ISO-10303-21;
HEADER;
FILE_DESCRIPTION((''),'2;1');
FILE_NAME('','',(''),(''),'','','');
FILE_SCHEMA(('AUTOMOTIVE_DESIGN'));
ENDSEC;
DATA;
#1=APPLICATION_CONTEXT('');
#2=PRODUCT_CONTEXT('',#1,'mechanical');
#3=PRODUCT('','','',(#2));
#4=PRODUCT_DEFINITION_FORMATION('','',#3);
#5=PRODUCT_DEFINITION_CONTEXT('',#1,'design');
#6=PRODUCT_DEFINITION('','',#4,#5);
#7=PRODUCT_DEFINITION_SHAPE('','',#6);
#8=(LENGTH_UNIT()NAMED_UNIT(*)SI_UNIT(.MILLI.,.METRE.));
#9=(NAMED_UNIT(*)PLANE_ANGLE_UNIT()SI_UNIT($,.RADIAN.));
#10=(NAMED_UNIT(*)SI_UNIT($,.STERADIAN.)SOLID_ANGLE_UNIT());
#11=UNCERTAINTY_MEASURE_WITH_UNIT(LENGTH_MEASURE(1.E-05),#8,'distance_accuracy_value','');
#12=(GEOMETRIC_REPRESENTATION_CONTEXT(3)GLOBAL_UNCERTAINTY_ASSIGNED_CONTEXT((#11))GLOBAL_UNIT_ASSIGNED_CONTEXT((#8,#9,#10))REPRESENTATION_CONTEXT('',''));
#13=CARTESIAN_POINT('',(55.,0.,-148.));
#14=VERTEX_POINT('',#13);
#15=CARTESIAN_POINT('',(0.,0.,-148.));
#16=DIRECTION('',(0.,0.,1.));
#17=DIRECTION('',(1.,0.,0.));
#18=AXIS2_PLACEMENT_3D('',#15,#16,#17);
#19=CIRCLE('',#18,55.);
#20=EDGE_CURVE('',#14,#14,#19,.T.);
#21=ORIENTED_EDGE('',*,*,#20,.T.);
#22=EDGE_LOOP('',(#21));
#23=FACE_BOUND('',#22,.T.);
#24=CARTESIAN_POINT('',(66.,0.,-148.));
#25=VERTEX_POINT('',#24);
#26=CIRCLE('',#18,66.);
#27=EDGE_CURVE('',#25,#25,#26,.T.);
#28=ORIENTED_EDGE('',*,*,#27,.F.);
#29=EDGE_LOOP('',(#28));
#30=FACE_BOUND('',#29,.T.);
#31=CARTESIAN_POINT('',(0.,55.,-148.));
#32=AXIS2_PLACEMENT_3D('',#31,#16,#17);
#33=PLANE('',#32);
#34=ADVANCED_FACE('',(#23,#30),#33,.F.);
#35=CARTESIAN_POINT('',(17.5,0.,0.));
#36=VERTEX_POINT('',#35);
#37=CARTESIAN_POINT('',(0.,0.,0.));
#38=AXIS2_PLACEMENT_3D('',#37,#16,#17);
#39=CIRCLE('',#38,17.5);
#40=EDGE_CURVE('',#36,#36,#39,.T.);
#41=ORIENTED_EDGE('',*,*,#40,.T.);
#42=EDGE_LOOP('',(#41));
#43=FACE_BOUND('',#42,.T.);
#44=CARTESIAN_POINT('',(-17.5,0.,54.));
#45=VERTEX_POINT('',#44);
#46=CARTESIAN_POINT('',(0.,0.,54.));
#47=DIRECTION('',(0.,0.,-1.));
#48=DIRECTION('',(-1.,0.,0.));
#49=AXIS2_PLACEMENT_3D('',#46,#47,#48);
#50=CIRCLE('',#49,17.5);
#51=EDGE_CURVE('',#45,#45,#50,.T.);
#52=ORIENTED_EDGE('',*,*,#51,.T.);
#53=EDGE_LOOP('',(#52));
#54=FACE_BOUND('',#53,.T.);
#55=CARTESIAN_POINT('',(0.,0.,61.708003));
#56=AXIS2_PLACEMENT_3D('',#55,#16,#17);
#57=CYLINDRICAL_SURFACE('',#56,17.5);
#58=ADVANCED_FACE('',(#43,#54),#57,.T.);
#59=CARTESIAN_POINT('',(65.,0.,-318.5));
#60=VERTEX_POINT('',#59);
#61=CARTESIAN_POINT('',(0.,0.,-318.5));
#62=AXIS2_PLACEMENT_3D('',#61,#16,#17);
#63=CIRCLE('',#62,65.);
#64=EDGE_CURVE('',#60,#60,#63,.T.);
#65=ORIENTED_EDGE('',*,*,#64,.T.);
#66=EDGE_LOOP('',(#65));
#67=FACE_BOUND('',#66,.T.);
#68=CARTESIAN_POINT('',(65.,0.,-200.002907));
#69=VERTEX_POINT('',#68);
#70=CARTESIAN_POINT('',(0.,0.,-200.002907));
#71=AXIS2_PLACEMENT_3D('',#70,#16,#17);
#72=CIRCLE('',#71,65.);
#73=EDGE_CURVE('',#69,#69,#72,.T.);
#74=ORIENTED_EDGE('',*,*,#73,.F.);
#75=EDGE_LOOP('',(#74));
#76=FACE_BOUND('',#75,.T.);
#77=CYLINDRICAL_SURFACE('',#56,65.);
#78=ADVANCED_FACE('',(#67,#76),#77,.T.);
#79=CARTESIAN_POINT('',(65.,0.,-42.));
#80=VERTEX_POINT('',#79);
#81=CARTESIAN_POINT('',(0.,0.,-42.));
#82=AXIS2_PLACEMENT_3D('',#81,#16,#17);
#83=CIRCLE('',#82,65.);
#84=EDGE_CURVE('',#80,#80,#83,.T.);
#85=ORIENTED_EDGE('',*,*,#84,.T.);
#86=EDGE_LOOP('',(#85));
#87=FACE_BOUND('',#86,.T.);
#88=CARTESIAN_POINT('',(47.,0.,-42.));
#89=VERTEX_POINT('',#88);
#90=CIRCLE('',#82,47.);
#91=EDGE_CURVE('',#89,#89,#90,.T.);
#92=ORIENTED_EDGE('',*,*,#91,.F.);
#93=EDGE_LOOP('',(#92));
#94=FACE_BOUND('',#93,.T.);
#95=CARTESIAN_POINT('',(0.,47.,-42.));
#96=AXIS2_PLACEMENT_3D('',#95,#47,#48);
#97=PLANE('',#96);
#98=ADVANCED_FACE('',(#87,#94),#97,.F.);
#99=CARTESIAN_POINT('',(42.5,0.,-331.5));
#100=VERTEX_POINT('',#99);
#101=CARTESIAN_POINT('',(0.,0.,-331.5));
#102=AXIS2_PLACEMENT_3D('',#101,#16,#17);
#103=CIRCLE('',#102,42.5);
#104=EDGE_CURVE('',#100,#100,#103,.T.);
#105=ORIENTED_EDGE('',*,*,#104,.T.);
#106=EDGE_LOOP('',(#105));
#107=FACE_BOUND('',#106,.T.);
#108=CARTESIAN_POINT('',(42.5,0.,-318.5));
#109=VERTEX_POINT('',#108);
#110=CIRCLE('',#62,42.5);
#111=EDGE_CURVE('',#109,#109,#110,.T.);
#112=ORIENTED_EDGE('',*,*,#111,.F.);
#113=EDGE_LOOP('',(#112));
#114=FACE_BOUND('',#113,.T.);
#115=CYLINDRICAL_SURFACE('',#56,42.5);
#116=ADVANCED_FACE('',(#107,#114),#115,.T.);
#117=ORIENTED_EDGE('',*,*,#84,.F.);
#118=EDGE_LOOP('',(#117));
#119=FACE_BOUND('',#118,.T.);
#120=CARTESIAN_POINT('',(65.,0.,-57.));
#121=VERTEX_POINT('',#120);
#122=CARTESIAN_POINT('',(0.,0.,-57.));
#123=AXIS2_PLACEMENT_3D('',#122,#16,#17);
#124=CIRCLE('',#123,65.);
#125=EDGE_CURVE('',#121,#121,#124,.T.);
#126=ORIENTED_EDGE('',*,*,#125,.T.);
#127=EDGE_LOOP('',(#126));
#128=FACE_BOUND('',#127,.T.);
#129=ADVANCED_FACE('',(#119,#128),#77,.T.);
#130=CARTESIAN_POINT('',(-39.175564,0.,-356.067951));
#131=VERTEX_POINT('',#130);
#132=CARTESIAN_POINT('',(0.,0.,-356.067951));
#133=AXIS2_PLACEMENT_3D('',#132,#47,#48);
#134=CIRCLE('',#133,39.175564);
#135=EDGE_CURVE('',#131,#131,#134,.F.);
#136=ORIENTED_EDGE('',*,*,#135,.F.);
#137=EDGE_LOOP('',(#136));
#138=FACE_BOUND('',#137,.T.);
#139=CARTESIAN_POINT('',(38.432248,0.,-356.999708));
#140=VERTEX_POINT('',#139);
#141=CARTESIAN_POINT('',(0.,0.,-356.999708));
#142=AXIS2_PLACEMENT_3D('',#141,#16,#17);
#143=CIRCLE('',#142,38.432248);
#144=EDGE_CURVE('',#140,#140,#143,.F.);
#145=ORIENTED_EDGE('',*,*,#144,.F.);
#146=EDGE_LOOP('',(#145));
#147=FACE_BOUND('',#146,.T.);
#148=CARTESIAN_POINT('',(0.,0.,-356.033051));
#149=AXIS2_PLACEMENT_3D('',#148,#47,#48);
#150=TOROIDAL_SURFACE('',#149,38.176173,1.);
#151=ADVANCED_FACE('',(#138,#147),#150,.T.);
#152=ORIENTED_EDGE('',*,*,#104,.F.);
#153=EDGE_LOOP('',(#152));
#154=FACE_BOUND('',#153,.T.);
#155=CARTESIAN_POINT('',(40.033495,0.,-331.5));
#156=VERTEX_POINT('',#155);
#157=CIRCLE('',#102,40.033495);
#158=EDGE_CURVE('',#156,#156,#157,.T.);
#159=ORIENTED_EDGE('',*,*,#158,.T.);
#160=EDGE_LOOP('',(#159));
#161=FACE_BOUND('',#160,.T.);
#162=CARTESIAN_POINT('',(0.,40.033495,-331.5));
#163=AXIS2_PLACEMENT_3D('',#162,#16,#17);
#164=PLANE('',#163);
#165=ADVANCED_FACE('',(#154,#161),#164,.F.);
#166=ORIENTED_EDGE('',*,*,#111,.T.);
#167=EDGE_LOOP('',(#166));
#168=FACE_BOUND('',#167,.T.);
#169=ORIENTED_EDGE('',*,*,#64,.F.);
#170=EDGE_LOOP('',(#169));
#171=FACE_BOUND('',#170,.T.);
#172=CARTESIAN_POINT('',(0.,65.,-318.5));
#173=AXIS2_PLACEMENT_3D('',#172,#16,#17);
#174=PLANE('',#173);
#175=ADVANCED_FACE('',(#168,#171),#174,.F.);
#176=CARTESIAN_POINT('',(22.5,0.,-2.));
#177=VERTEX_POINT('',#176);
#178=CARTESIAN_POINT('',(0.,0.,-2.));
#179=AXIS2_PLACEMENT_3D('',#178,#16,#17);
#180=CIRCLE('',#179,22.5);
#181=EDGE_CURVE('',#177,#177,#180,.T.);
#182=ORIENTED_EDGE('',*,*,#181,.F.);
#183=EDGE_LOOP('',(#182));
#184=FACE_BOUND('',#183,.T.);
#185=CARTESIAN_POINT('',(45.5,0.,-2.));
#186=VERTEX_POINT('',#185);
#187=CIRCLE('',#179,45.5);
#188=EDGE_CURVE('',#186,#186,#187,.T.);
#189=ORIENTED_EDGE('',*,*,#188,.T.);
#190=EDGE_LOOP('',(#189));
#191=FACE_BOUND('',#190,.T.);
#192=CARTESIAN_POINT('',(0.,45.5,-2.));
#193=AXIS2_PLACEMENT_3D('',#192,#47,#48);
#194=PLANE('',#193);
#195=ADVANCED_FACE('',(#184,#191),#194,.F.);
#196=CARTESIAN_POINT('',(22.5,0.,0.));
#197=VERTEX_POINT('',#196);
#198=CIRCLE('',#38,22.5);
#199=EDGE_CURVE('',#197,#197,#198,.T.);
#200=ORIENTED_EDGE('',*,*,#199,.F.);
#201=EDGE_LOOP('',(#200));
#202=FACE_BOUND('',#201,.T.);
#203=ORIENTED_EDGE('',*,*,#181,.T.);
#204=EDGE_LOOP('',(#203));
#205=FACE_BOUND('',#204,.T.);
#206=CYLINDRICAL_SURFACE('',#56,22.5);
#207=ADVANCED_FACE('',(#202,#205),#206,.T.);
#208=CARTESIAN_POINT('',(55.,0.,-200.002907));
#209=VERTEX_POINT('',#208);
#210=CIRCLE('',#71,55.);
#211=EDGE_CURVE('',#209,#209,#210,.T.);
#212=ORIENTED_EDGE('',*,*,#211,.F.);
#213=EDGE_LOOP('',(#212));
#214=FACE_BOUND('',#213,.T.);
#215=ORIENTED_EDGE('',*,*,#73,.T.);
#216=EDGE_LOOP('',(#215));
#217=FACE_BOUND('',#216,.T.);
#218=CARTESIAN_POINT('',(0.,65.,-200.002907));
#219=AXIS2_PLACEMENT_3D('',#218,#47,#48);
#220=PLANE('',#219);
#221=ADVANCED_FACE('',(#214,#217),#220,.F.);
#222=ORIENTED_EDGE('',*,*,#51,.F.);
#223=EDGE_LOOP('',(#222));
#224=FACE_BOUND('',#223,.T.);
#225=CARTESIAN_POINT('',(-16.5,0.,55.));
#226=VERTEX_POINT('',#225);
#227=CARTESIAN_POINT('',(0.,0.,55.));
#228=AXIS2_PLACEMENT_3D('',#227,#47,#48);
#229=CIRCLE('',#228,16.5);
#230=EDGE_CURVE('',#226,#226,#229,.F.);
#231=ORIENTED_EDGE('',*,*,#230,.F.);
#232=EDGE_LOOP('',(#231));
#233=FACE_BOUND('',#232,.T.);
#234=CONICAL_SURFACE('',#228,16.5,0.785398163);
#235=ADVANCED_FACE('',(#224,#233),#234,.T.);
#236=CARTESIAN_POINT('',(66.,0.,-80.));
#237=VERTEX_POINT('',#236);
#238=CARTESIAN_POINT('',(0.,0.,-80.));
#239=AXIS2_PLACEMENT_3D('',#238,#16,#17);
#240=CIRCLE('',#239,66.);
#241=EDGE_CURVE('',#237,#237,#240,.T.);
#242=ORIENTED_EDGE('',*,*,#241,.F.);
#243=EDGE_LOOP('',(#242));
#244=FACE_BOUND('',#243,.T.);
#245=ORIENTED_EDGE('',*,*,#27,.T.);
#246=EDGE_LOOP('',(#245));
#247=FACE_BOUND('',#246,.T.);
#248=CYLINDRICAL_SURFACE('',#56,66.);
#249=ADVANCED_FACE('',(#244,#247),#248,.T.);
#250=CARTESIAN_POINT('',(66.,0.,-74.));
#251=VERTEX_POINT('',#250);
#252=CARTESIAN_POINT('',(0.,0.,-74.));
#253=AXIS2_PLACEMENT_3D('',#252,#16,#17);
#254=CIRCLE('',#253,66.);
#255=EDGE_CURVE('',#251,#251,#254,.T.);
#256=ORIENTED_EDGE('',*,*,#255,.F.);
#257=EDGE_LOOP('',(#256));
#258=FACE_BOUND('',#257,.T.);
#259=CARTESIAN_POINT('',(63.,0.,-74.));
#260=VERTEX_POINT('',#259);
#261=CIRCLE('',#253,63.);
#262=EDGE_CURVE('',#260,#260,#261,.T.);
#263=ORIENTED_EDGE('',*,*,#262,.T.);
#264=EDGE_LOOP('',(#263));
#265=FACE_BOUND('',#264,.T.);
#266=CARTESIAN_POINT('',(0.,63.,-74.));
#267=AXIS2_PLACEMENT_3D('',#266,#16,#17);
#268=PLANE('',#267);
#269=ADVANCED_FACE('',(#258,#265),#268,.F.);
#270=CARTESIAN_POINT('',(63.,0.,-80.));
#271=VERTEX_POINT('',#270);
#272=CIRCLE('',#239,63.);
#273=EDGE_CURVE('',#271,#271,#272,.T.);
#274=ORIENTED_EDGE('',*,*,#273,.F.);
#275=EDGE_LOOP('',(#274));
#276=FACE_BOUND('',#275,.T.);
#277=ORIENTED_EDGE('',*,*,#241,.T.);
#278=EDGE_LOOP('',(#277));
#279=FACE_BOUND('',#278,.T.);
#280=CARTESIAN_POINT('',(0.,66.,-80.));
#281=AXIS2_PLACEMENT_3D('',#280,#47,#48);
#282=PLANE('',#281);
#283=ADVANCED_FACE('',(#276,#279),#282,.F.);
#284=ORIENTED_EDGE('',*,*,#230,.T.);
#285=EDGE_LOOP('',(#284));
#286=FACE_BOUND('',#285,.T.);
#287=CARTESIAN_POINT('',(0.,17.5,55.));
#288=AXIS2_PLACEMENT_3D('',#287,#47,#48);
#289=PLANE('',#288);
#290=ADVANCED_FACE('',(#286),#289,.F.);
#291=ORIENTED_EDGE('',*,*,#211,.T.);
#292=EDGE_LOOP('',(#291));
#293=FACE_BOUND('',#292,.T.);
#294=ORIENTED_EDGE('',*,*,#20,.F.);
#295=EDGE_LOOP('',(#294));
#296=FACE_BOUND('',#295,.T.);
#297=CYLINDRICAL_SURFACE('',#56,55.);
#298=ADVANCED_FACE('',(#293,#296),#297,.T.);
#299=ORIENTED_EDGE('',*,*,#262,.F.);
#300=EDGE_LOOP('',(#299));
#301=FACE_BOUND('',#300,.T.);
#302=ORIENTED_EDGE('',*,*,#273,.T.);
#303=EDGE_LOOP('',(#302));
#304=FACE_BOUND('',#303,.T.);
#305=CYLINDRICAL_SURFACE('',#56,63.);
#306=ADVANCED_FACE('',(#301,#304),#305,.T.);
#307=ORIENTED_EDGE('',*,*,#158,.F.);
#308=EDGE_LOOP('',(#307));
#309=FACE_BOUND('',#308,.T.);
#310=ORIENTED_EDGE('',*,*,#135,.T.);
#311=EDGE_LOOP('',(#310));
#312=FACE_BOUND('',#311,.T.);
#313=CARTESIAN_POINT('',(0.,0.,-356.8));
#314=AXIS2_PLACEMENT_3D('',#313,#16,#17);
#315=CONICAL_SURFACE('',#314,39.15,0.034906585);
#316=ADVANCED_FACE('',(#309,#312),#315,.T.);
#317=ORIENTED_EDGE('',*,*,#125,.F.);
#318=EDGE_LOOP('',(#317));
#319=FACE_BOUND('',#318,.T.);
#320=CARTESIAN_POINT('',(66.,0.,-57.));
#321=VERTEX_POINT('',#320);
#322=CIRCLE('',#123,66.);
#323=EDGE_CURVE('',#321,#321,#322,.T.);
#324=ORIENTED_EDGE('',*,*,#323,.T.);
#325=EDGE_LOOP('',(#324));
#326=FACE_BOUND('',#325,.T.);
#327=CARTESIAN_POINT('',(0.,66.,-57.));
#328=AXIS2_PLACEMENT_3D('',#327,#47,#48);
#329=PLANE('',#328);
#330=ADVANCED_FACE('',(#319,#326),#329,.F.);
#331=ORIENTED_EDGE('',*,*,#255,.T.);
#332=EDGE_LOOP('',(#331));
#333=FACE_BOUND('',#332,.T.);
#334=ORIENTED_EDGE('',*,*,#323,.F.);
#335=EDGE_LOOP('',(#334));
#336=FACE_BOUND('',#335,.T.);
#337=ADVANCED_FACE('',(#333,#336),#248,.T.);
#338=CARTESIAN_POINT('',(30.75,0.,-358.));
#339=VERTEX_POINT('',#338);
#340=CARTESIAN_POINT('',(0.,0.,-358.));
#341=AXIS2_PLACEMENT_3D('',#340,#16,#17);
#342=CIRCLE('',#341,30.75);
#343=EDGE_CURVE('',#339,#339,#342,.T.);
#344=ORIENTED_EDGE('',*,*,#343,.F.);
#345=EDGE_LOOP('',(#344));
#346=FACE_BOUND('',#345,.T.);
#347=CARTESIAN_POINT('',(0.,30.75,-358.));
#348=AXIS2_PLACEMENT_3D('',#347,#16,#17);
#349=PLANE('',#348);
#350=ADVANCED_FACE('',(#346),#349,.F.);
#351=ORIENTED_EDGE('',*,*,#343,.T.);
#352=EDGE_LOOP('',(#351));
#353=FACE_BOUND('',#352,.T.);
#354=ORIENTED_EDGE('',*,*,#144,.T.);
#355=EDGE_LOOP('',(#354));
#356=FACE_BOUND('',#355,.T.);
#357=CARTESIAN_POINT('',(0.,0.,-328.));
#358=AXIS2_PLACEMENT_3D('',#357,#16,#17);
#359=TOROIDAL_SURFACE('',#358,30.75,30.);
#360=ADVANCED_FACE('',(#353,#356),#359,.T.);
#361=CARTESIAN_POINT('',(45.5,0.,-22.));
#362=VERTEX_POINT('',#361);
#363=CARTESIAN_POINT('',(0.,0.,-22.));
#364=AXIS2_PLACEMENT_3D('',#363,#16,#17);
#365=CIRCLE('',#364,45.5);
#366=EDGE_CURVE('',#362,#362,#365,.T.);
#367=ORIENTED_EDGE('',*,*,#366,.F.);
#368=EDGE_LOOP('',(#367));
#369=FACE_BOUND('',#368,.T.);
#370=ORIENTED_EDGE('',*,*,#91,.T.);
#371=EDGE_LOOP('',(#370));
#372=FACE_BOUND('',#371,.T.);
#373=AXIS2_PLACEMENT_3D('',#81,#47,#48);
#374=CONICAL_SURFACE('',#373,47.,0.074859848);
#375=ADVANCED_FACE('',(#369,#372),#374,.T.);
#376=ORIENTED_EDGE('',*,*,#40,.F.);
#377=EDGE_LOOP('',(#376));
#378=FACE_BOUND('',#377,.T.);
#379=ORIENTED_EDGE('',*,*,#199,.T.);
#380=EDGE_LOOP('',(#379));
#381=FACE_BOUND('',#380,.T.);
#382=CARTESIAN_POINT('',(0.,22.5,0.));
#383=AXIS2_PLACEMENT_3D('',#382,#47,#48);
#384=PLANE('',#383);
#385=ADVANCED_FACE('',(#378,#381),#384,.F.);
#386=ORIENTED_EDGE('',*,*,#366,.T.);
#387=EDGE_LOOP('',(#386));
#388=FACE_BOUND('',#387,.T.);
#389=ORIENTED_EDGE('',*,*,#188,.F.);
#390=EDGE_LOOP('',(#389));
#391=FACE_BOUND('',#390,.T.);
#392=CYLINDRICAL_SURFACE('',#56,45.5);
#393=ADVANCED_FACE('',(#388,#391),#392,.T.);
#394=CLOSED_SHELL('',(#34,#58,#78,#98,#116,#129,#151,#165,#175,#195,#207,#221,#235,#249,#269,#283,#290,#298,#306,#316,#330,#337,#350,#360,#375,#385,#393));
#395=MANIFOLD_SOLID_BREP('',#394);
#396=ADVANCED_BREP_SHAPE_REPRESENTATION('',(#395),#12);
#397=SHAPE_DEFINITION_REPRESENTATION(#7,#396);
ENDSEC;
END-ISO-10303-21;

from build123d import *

# Parameters (mm, degrees)
FILLET1_R     = 1
CHAMFER1_SIZE = 1


with BuildPart() as part:
    # Sketch1 → Revolve1 (revolve)
    with BuildSketch(Plane(origin=(0, 0, 0), x_dir=(0, 0, -1), z_dir=(1, 0, 0)), mode=Mode.PRIVATE) as revolve1_sk:
        with BuildLine():
            Line((-55, 0), (358, 0))
            Line((358, 0), (358, 30.75))
            ThreePointArc((358, 30.75), (357.69848481, 34.992640687), (356.8, 39.15))
            Line((356.8, 39.15), (331.5, 40.033495468))
            Line((331.5, 40.033495468), (331.5, 42.5))
            Line((331.5, 42.5), (318.5, 42.5))
            Line((318.5, 42.5), (318.5, 65))
            Line((318.5, 65), (200.002907484, 65))
            Line((200.002907484, 65), (200.002907484, 55))
            Line((200.002907484, 55), (148, 55))
            Line((148, 55), (148, 66))
            Line((148, 66), (80, 66))
            Line((80, 66), (80, 63))
            Line((80, 63), (74, 63))
            Line((74, 63), (74, 66))
            Line((74, 66), (57, 66))
            Line((57, 66), (57, 65))
            Line((57, 65), (42, 65))
            Line((42, 65), (42, 47))
            Line((42, 47), (22, 45.5))
            Line((22, 45.5), (2, 45.5))
            Line((2, 45.5), (2, 22.5))
            Line((2, 22.5), (0, 22.5))
            Line((0, 22.5), (0, 17.5))
            Line((0, 17.5), (-55, 17.5))
            Line((-55, 17.5), (-55, 0))
        make_face()
    revolve(revolve1_sk.sketch.rotate(Axis((0, 0, 61.708002771), (0, 0, -1)), 90), axis=Axis((0, 0, 61.708002771), (0, 0, -1)))

    # Fillet1
    fillet1_edges = [part.edges().sort_by_distance(p)[0] for p in [
        (-39.15, 0, -356.8),
    ]]
    fillet(fillet1_edges, radius=FILLET1_R)

    # Chamfer1
    chamfer1_edges = [part.edges().sort_by_distance(p)[0] for p in [
        (-17.5, 0, 55),
    ]]
    chamfer(chamfer1_edges, length=CHAMFER1_SIZE)


solid = part.part
